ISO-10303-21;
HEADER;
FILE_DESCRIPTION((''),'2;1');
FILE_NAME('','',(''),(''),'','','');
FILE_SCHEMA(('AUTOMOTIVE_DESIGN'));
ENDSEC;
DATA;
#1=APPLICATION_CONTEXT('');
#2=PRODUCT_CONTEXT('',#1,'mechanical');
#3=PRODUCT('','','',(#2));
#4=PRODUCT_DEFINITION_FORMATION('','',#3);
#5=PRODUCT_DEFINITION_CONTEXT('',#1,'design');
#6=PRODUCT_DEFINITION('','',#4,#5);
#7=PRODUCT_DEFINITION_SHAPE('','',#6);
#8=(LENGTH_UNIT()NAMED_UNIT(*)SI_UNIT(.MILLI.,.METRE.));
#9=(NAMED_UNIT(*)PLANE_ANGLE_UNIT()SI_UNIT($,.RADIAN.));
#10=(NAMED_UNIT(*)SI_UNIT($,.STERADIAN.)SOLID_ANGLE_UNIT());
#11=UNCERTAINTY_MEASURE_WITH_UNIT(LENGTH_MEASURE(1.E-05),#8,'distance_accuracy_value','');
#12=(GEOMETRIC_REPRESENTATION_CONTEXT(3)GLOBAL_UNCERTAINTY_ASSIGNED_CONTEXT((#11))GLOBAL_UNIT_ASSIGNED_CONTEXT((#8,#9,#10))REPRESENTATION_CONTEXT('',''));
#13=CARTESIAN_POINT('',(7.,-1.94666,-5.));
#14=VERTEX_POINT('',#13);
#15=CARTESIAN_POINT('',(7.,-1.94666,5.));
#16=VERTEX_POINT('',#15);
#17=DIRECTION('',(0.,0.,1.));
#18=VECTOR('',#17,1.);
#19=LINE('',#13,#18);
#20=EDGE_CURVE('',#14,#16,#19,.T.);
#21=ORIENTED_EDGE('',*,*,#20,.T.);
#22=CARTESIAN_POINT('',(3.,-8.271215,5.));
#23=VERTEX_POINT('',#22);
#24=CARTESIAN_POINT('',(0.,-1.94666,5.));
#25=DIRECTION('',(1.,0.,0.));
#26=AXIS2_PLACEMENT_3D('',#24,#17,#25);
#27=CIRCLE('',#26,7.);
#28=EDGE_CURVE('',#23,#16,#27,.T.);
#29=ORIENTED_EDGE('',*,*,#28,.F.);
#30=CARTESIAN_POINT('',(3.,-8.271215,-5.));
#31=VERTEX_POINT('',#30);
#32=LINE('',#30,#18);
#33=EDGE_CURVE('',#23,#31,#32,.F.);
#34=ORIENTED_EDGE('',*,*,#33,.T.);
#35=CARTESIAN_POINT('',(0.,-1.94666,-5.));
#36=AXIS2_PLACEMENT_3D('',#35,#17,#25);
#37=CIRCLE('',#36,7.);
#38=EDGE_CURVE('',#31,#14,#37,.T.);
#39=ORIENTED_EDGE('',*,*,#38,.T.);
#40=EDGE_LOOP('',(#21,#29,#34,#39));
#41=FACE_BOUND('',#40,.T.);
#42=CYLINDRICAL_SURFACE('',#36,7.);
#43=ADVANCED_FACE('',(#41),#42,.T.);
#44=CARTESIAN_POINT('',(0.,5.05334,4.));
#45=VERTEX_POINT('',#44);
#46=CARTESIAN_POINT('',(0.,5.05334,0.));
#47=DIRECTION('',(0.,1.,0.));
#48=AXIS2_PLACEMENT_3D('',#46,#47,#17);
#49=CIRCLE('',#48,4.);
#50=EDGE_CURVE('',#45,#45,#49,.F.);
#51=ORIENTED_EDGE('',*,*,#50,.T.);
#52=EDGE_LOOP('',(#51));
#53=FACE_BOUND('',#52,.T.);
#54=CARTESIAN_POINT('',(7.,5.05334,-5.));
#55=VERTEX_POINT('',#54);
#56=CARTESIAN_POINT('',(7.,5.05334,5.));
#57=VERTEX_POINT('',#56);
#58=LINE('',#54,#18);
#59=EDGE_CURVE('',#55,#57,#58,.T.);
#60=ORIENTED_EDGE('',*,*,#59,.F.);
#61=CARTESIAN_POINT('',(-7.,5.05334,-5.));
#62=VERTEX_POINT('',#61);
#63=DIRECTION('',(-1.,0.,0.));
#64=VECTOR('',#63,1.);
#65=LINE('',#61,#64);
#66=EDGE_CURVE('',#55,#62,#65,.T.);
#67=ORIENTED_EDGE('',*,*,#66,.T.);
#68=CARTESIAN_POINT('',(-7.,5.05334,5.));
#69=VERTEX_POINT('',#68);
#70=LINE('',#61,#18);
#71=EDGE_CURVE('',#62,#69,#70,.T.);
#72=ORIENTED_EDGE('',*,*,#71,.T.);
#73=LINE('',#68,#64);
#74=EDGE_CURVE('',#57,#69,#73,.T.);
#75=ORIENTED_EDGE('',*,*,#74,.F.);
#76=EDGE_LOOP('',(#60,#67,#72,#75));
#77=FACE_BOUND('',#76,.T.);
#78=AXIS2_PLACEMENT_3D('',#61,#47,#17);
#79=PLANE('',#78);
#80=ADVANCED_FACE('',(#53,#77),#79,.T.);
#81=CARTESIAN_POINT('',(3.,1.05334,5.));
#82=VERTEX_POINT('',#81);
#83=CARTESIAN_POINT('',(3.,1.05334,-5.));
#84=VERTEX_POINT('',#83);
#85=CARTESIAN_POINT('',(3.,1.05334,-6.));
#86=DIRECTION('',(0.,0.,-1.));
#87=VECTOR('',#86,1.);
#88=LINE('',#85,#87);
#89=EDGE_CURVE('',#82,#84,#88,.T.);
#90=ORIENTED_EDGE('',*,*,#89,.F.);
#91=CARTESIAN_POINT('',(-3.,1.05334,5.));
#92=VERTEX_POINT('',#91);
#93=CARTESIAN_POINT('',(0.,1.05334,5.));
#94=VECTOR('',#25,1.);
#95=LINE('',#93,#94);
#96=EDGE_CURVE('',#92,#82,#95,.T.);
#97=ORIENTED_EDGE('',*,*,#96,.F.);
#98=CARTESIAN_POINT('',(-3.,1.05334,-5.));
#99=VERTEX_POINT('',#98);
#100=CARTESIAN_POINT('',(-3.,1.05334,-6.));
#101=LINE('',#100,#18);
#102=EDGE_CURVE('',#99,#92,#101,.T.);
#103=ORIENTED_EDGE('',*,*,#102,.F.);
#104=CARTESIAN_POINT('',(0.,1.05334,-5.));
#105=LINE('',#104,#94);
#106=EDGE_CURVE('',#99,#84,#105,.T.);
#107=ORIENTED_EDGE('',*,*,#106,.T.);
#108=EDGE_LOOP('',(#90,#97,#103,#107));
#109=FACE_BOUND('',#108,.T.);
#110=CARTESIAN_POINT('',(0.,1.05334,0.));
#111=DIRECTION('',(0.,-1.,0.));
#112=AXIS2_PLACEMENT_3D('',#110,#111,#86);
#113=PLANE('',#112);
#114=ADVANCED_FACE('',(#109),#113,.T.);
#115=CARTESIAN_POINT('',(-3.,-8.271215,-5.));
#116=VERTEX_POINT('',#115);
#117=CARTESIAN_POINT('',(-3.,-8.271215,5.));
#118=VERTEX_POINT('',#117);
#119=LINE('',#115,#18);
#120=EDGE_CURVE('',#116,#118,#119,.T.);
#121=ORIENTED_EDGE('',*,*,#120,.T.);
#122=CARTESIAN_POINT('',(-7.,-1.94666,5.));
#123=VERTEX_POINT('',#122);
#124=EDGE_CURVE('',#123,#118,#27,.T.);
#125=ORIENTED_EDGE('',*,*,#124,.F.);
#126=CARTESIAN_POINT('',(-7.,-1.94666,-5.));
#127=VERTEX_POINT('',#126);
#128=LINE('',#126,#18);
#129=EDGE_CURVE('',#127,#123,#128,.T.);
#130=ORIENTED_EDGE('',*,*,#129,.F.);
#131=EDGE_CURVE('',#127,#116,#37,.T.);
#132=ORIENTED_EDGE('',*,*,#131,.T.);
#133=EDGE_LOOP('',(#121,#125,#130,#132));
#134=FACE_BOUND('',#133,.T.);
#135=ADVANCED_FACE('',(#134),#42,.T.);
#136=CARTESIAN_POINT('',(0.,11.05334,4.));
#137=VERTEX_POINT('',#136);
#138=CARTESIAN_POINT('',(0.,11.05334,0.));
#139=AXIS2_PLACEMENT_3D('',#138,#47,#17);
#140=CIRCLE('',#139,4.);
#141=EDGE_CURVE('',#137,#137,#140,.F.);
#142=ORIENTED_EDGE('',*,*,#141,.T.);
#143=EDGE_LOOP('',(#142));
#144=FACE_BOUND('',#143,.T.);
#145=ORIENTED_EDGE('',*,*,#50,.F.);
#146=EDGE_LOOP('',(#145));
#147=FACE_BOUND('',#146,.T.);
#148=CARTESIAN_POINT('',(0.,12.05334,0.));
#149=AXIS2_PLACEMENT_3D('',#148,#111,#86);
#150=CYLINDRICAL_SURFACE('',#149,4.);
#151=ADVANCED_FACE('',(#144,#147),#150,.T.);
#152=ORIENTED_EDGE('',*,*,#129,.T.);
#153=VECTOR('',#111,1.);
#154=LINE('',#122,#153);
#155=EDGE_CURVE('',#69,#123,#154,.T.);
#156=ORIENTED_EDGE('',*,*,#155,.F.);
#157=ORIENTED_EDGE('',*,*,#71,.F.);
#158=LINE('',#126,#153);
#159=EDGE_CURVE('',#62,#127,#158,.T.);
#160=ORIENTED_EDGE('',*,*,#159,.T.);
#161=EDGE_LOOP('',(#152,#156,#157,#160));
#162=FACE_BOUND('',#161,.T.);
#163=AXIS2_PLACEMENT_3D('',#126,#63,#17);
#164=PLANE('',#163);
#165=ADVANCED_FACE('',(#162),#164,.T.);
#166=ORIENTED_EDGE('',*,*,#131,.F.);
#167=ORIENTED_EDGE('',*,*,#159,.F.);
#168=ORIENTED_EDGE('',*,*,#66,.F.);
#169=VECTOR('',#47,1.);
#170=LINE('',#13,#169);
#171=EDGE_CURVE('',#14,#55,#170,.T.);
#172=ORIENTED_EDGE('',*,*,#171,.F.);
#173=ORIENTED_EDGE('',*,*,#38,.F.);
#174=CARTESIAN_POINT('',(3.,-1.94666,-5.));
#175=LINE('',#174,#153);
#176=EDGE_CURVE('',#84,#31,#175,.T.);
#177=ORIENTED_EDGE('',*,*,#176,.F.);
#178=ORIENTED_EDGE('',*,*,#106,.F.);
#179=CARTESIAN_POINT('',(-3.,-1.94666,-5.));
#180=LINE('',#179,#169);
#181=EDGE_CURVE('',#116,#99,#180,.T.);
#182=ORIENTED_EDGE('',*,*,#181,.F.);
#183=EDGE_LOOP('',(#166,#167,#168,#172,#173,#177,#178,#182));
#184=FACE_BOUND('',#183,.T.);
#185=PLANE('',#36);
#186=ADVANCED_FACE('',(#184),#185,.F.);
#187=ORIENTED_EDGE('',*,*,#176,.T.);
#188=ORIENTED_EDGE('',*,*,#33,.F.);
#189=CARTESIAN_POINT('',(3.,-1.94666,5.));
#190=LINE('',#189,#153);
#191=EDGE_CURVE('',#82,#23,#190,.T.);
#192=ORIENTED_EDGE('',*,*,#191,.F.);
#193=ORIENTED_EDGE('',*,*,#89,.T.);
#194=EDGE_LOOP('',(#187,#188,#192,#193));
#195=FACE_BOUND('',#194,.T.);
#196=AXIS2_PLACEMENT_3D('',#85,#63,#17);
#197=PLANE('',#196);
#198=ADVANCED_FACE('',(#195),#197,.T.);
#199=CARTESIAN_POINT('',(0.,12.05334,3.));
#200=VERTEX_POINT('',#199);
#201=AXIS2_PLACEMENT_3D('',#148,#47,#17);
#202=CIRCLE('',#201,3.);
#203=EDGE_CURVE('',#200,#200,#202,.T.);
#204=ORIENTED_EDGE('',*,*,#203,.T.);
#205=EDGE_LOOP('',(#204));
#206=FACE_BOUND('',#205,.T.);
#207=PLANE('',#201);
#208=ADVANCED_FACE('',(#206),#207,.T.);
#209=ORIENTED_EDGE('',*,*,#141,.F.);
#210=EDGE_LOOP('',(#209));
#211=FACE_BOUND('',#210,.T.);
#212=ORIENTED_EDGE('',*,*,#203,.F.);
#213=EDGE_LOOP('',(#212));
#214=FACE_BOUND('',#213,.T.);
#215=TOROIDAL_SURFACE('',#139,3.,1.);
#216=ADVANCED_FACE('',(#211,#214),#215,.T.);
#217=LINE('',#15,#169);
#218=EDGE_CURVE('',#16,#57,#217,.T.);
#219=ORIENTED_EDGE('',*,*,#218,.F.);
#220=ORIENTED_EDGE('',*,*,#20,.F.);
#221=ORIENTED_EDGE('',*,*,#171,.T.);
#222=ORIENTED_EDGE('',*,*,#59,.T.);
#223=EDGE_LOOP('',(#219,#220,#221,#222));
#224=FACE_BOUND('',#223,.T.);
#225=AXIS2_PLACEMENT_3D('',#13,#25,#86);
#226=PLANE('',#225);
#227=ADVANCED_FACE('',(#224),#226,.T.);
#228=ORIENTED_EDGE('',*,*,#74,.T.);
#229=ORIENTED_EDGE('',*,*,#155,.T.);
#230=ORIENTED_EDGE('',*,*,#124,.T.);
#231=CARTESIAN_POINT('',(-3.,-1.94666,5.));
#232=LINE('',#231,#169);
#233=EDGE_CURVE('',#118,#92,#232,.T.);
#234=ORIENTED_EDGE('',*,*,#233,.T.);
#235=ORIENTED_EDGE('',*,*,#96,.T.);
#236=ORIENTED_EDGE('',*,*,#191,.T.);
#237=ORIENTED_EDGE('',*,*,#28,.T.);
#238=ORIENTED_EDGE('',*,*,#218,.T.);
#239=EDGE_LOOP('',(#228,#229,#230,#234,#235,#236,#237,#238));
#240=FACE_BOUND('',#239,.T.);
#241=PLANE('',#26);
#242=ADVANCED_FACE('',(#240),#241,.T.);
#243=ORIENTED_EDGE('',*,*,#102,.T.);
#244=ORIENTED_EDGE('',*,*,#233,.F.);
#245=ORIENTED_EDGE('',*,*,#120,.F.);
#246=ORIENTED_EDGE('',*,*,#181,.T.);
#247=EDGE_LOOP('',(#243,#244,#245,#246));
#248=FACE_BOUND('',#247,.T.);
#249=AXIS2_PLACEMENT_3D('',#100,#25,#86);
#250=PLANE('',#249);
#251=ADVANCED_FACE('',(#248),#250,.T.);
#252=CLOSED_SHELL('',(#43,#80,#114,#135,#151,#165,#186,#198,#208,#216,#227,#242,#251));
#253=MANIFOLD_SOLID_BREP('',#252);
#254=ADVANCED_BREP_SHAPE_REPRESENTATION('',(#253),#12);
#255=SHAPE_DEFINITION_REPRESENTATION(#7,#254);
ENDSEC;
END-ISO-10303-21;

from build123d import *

# Parameters (mm, degrees)
HAND_DEPTH            = 2.5
HAND_DEPTH_BACK       = 2.5
SKETCH3_R             = 2
WRIST_DEPTH           = 7
FINGER_GAP_DEPTH      = 1.5
FINGER_GAP_DEPTH_BACK = 9.215838363
SKETCH2_W             = 3
SKETCH2_H             = 6
EASY_INSERT_R         = 0.5
SCALE1_SCALE          = 2


with BuildPart() as part:
    # Sketch1 → Hand (new, two sides: drawn at the far end of the back side and taken through both)
    with BuildSketch(Plane.XY.offset(-HAND_DEPTH_BACK)):
        with BuildLine():
            Line((-3.5, 0), (-3.5, 3.5))
            Line((-3.5, 3.5), (3.5, 3.5))
            Line((3.5, 3.5), (3.5, 0))
            ThreePointArc((3.5, 0), (0, -3.5), (-3.5, 0))
        make_face()
    extrude(amount=HAND_DEPTH + HAND_DEPTH_BACK)

    # Sketch3 → Wrist (add)
    with BuildSketch(Plane(origin=(0, 0, 0), x_dir=(1, 0, 0), z_dir=(0, 1, 0))):
        Circle(SKETCH3_R)
    extrude(amount=WRIST_DEPTH)

    # Sketch2 → Finger gap (cut, two sides: drawn at the far end of the back side and taken through both)
    with BuildSketch(Plane(origin=(0, 0, 0), x_dir=(1, 0, 0), z_dir=(0, 1, 0)).offset(-FINGER_GAP_DEPTH_BACK)):
        Rectangle(SKETCH2_W, SKETCH2_H)
    extrude(amount=FINGER_GAP_DEPTH + FINGER_GAP_DEPTH_BACK, mode=Mode.SUBTRACT)

    # Easy insert
    easy_insert_edges = [part.edges().sort_by_distance(p)[0] for p in [
        (-2, 7, 0),
    ]]
    fillet(easy_insert_edges, radius=EASY_INSERT_R)


with BuildPart() as part_1:
    # Scale1: scaled about (0, 1.946660074, 0)
    add(part.part.scale(SCALE1_SCALE).moved(Location((0, -1.946660074, 0))))


solid = part_1.part
